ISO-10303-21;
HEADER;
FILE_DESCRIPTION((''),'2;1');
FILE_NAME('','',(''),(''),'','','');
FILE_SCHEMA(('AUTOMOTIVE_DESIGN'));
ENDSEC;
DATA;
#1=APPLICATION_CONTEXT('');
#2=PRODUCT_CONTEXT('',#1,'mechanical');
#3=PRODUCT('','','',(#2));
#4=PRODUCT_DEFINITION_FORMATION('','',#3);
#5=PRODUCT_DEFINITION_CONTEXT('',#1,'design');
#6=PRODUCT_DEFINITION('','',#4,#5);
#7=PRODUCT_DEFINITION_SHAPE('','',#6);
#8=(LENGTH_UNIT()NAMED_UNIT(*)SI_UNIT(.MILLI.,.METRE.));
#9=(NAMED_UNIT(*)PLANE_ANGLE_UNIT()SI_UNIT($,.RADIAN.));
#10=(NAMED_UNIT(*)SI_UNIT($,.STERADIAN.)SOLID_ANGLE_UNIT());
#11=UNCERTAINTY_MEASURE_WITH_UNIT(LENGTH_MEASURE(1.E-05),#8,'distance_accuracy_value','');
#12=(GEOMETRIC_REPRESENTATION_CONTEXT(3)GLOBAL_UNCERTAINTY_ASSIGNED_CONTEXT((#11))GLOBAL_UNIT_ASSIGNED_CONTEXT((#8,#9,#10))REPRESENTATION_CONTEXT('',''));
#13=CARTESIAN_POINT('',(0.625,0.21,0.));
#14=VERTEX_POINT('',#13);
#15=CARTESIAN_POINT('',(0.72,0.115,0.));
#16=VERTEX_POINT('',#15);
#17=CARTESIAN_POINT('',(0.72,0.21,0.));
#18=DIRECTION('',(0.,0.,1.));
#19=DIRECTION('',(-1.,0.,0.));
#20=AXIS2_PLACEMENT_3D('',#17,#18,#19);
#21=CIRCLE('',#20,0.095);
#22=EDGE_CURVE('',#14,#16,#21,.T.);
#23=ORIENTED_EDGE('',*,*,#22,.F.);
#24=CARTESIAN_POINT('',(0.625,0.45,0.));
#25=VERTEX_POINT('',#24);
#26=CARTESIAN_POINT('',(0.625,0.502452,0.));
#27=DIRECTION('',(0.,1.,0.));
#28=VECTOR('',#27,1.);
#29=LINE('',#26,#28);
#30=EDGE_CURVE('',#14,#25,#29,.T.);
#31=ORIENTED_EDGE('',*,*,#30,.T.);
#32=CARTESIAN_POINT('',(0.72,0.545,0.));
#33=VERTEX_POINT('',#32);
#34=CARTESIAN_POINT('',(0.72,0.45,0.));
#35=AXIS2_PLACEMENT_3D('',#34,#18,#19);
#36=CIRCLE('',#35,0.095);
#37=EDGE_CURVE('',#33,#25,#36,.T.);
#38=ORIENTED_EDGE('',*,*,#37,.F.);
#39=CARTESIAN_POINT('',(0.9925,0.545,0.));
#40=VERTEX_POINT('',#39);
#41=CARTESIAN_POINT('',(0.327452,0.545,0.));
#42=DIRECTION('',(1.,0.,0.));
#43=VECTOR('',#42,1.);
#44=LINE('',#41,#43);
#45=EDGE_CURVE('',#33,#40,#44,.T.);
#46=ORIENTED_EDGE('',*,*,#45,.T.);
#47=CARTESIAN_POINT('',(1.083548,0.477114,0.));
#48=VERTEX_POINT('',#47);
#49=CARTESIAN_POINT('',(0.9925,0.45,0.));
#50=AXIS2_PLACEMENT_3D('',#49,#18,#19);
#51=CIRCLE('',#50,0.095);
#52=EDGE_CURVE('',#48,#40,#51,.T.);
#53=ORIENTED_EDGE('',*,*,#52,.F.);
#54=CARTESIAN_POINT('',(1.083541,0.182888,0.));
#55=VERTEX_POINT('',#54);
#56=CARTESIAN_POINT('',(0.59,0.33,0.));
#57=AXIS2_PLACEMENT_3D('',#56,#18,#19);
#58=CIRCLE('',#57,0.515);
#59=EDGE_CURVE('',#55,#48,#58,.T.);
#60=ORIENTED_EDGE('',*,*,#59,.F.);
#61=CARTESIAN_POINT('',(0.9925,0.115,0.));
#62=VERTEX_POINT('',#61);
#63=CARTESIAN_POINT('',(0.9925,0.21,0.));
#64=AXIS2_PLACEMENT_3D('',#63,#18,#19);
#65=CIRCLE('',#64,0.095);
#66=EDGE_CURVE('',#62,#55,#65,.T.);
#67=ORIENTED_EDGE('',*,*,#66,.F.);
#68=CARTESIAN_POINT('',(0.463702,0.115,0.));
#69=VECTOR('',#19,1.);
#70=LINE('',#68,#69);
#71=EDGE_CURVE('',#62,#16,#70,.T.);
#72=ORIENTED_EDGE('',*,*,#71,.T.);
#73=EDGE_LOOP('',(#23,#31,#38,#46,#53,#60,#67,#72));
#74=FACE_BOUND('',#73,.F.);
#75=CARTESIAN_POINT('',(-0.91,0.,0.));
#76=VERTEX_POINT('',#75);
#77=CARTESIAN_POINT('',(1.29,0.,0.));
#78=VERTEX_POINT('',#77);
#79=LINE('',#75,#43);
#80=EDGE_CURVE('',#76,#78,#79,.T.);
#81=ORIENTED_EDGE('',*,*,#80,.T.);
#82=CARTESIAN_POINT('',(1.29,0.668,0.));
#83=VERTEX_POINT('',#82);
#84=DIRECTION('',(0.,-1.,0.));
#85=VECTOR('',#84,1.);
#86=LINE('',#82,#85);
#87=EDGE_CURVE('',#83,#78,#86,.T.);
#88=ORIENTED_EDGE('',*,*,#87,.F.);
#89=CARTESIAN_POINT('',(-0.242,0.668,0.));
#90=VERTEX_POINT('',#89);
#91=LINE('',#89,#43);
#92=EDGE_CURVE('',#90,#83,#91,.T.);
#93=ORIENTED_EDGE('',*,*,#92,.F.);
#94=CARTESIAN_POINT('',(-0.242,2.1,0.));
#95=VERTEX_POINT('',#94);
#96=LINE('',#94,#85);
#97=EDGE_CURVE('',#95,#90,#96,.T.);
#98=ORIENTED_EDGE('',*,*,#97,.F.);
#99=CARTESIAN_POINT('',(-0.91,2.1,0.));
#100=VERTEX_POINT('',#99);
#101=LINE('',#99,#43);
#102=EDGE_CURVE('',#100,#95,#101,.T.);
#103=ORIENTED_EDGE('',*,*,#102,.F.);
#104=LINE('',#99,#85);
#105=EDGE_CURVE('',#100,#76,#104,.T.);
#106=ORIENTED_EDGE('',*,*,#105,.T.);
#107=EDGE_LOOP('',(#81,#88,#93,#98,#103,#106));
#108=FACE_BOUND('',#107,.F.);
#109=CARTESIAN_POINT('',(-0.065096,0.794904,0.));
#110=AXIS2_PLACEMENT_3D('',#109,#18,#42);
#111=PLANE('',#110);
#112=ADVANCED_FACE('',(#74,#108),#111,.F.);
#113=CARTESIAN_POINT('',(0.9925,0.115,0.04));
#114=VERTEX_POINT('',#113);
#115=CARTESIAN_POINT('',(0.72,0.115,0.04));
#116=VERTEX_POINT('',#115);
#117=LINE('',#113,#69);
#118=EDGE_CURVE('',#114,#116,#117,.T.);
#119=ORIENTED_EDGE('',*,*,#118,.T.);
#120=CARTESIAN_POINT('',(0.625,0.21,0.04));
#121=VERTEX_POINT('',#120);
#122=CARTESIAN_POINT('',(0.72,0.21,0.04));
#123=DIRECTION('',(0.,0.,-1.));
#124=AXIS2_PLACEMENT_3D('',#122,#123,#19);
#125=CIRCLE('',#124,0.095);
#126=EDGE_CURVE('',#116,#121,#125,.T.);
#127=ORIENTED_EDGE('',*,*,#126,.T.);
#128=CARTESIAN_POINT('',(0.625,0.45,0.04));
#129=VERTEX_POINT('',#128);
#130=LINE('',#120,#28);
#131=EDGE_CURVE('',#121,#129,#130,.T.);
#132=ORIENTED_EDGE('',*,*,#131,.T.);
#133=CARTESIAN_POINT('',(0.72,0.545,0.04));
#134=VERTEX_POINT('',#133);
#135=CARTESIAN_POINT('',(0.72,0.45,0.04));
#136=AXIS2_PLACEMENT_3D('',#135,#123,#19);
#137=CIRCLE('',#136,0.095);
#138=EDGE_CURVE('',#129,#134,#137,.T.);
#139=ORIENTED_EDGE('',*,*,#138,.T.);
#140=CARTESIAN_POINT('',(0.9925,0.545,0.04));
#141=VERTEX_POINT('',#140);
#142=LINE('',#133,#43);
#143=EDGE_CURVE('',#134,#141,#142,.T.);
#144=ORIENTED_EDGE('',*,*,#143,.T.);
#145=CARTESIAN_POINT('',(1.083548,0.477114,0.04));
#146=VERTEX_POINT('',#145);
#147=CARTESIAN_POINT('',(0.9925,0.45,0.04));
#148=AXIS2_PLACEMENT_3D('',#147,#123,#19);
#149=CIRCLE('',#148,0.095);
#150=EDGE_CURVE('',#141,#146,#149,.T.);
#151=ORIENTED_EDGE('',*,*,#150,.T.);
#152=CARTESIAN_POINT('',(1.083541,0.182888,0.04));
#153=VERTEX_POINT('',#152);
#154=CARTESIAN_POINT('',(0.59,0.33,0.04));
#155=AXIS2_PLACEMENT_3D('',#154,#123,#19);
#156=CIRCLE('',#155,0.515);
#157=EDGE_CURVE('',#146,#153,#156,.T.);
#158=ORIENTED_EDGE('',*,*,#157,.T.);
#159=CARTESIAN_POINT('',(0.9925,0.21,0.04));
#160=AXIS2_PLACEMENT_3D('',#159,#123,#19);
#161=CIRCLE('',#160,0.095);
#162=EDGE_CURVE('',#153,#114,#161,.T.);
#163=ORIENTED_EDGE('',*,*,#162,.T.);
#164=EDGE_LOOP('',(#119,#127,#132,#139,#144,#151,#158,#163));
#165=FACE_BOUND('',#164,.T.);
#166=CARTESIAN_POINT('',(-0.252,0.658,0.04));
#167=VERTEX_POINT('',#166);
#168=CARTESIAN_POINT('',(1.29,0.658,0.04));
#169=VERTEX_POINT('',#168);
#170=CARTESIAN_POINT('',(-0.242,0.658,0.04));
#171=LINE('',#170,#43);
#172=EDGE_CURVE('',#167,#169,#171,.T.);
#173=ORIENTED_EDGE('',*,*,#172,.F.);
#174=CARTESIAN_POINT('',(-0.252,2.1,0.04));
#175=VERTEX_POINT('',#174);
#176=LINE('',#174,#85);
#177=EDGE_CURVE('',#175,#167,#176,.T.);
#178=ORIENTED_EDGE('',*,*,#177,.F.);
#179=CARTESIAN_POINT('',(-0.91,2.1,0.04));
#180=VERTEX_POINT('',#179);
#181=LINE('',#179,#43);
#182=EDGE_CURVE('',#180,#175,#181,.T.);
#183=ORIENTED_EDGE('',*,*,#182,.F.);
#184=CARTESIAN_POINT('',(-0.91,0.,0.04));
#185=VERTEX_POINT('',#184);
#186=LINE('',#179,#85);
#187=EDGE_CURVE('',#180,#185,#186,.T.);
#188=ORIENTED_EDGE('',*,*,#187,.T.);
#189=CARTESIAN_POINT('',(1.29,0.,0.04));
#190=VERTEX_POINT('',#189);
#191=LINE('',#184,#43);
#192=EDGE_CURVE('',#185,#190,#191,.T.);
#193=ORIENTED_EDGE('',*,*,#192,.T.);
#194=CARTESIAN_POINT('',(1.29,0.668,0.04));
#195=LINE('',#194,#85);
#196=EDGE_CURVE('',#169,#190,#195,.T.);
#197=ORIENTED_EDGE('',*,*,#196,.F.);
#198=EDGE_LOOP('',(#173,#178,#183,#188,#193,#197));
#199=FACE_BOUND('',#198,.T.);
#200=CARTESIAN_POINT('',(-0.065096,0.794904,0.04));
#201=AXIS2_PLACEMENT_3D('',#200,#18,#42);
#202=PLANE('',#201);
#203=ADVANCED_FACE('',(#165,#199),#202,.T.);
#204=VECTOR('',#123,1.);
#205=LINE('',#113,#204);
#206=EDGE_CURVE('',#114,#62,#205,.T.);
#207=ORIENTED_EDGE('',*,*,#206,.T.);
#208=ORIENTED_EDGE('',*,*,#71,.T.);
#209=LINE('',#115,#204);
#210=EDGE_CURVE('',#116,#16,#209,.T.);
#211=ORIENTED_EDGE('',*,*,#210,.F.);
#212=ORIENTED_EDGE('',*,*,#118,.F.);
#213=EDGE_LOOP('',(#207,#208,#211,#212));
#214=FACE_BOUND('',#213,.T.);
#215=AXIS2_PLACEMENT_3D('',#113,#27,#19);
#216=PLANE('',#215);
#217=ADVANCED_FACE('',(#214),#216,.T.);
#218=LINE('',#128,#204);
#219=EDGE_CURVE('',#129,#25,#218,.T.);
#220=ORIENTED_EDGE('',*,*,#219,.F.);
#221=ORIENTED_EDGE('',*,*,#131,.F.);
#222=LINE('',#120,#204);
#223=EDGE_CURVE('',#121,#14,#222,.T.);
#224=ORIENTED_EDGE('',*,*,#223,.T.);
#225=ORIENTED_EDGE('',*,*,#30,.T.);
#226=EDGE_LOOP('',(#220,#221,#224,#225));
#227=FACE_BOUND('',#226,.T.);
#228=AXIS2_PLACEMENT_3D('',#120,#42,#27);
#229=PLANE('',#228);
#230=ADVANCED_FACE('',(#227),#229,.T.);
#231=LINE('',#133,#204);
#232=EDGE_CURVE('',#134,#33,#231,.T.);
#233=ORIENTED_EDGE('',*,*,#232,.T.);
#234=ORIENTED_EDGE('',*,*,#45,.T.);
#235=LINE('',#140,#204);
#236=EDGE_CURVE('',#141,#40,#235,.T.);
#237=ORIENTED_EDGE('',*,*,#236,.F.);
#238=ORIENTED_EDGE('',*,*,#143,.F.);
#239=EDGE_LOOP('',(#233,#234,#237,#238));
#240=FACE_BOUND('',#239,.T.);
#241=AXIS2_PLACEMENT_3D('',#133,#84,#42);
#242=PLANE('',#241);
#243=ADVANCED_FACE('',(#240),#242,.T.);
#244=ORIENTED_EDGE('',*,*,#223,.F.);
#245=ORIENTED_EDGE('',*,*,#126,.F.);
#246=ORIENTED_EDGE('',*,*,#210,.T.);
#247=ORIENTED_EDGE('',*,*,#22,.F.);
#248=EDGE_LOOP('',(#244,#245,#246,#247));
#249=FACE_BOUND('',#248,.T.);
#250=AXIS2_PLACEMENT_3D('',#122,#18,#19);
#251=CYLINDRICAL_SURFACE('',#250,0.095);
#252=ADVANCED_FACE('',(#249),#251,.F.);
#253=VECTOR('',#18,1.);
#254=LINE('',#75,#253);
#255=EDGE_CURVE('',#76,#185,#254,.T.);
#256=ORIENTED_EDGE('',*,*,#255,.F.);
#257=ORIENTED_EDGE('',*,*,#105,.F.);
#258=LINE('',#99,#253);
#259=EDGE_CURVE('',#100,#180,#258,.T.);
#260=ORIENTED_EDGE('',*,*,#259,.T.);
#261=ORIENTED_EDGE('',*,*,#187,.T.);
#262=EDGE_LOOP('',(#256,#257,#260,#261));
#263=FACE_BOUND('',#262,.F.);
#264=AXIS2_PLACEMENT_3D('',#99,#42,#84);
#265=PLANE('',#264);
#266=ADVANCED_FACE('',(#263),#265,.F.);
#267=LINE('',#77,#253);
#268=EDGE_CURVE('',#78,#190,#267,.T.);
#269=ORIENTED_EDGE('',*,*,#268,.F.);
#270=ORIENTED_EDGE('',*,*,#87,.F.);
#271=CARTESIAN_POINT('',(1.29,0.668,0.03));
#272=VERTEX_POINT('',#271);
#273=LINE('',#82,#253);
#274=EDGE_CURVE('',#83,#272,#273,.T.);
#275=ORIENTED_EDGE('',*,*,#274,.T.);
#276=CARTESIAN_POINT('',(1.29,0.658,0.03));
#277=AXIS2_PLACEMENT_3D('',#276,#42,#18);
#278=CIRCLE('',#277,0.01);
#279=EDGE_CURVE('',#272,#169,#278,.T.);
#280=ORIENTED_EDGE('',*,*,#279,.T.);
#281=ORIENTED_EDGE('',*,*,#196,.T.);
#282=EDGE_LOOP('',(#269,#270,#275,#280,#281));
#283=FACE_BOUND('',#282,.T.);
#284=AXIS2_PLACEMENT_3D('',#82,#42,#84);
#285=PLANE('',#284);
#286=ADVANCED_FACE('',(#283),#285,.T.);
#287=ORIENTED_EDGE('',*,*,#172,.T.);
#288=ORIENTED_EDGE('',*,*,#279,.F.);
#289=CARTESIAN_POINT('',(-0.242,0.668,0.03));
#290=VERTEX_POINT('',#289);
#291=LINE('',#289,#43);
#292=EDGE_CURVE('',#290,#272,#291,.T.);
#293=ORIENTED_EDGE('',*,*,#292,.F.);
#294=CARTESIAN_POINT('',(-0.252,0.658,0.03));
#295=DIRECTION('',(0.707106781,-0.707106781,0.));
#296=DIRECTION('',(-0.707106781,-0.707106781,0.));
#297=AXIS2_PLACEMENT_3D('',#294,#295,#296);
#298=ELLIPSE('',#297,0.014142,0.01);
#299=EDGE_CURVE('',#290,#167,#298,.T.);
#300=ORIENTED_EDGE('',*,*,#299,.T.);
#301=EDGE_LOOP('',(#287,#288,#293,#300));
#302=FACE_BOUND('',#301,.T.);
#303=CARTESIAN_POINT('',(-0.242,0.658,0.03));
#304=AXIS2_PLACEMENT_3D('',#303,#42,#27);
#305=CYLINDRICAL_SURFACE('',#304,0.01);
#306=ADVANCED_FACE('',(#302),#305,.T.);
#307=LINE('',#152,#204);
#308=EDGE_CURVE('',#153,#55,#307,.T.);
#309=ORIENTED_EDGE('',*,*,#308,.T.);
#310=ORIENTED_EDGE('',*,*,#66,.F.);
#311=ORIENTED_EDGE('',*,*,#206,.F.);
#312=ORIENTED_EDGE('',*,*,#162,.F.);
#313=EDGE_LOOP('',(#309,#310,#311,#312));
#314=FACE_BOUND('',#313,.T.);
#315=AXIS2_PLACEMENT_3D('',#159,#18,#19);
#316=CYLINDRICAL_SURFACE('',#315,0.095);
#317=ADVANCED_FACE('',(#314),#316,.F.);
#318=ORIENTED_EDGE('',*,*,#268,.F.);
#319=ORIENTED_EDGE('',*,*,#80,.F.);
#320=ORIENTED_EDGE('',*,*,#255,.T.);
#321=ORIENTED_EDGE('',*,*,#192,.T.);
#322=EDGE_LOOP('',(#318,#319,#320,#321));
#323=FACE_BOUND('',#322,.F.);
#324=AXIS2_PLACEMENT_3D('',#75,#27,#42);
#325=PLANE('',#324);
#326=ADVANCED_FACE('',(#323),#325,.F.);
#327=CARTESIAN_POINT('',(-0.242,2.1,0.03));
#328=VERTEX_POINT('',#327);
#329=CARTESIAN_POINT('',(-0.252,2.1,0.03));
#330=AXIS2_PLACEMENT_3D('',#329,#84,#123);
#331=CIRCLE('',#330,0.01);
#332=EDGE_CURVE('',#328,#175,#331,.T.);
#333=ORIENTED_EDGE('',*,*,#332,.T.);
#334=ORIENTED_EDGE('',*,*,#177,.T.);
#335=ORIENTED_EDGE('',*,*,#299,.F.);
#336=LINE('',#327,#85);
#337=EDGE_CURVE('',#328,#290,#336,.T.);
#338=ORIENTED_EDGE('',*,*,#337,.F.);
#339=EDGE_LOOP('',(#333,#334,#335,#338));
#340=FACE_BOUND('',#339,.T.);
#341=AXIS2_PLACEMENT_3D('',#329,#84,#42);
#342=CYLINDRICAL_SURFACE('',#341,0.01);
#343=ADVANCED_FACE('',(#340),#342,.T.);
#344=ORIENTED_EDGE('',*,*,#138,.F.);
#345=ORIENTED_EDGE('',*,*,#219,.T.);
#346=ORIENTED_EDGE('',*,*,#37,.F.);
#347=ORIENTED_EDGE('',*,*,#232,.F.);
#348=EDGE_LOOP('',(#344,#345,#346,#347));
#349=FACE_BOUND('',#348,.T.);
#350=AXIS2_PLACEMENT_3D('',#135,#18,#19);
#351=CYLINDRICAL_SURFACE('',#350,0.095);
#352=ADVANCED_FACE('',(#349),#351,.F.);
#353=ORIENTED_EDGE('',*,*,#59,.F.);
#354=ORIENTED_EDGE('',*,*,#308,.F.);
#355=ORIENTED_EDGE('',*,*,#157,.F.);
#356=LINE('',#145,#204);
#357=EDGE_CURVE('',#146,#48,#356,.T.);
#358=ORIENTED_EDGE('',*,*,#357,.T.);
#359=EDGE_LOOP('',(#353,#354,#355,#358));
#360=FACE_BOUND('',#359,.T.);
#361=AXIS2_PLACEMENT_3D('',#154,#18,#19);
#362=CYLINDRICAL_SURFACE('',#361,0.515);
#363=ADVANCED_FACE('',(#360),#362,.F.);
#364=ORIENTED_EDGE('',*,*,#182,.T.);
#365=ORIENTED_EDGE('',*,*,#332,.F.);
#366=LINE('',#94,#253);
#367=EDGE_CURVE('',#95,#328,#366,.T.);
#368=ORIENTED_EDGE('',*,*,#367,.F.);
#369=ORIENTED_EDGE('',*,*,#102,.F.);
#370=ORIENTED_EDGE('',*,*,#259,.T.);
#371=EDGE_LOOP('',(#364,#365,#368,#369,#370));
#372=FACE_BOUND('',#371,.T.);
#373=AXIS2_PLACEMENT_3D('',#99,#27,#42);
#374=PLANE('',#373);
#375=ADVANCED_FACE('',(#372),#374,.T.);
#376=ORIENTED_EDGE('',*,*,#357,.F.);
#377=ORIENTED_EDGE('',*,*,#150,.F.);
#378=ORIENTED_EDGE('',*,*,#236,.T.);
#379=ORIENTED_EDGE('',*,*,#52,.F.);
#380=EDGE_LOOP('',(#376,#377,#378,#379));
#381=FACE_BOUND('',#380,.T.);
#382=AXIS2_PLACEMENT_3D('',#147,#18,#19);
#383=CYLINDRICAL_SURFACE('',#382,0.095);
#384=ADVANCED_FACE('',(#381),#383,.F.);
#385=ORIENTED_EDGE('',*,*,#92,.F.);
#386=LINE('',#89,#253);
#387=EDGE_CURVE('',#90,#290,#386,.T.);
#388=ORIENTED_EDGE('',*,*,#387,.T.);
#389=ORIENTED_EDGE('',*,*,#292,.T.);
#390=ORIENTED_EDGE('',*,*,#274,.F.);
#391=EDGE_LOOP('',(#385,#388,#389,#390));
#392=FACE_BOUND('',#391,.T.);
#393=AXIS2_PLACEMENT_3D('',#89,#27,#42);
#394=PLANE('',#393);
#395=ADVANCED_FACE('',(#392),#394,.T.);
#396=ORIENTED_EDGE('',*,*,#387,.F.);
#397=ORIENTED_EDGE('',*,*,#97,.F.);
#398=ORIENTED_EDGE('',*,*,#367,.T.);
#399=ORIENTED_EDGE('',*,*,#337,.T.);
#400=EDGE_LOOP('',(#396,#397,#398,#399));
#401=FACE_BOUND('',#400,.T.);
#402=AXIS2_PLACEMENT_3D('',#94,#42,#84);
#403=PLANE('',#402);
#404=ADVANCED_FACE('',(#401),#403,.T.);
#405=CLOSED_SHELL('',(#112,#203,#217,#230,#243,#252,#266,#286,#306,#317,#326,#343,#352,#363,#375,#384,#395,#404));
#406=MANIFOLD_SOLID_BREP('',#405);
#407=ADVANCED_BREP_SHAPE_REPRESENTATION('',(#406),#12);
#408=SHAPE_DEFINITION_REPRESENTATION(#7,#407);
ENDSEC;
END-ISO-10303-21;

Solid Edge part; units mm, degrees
sketch "Sketch1" plane through (0, 0, 0) normal (0, 0, 1) x (1, 0, 0)
  line L0 (-0.91, 2.1) -> (-0.91, 0)
  line L1 (-0.91, 0) -> (1.29, 0)
  line L2 (1.29, 0.668) -> (1.29, 0)
  line L3 (-0.242, 0.668) -> (1.29, 0.668)
  line L4 (-0.242, 2.1) -> (-0.242, 0.668)
  line L5 (-0.91, 2.1) -> (-0.242, 2.1)
  dimension "D1" = 0.05
  dimension "D2" = 0.05
extrude "Protrusion1" add sketch "Sketch1" along normal blind 0.04
fillet "Verrundung_1" radius 0.01 2 edges at (-0.242, 1.384, 0.04) (0.524, 0.668, 0.04)
sketch "Sketch2" plane through (0.2, 1.05, 0.04) normal (0, 0, 1) x (-1, 0, 0)
  line L0 (-0.7925, 0.935) -> (-0.52, 0.935)
  arc A0 (-0.52, 0.935) -> (-0.425, 0.84) centre (-0.52, 0.84) cw
  line L1 (-0.425, 0.84) -> (-0.425, 0.6)
  arc A1 (-0.425, 0.6) -> (-0.52, 0.505) centre (-0.52, 0.6) cw
  line L2 (-0.52, 0.505) -> (-0.7925, 0.505)
  arc A2 (-0.7925, 0.505) -> (-0.8835, 0.5729) centre (-0.7925, 0.6) cw
  arc A3 (-0.8835, 0.5729) -> (-0.8835, 0.8671) centre (-0.39, 0.72) cw
  arc A4 (-0.8835, 0.8671) -> (-0.7925, 0.935) centre (-0.7925, 0.84) cw
extrude "Cutout1" cut sketch "Sketch2" against normal through all
